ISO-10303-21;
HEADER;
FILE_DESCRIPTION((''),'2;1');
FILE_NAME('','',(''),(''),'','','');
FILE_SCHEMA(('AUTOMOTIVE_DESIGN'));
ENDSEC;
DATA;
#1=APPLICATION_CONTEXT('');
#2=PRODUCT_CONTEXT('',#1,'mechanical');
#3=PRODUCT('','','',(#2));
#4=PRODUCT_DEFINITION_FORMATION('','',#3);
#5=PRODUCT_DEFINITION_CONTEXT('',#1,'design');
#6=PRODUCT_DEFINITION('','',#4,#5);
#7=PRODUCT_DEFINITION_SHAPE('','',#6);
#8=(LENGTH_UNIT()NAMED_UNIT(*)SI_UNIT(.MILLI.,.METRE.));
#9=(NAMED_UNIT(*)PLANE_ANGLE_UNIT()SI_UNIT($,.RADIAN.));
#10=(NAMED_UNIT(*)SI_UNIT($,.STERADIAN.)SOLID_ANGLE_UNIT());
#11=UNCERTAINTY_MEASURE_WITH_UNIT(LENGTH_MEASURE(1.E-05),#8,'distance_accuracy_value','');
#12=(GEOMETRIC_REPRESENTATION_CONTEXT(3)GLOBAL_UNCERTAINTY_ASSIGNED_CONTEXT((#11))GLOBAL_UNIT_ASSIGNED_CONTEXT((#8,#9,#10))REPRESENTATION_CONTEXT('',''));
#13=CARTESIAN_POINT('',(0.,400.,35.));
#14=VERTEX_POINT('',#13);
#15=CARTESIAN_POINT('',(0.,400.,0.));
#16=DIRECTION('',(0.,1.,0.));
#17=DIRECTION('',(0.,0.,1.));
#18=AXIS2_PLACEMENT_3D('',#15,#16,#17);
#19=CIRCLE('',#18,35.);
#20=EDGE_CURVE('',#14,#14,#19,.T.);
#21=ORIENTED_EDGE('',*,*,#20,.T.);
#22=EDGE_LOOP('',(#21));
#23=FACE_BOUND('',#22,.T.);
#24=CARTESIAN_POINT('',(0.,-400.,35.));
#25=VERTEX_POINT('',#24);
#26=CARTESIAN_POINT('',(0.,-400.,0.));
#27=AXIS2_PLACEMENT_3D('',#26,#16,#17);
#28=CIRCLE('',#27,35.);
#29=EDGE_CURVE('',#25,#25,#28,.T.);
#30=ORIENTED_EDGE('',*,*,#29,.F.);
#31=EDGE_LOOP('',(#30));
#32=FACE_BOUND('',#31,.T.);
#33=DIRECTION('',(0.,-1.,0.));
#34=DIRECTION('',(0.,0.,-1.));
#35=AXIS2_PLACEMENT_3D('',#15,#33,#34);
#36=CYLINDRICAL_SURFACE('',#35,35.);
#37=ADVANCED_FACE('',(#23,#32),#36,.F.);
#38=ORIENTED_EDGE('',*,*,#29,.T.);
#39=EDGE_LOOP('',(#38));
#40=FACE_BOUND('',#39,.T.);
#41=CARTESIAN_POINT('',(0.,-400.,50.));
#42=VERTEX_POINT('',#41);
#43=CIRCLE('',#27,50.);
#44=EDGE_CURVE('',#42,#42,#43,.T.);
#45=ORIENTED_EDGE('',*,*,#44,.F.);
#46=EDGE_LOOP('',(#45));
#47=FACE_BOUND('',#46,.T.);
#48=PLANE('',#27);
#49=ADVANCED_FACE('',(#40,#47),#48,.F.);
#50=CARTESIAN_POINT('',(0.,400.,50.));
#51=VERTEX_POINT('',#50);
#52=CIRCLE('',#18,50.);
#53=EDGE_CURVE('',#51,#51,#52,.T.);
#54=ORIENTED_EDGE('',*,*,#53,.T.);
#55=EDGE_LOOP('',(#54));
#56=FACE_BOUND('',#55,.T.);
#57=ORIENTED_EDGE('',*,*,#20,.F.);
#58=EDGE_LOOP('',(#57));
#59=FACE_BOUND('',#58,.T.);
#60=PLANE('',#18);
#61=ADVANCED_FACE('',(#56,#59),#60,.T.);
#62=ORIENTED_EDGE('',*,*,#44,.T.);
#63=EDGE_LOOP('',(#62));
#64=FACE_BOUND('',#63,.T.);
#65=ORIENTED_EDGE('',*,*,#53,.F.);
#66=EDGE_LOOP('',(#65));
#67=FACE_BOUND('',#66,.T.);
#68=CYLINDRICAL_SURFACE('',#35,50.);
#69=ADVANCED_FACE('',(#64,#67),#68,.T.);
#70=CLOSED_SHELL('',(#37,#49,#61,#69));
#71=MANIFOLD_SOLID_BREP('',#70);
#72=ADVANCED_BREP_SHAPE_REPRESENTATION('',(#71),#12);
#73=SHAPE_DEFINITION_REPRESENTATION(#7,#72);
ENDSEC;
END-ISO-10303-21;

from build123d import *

# Parameters (mm, degrees)
SKETCH1_R           = 50
SKETCH1_R_2         = 35
BOSS_EXTRUDE1_DEPTH = 400


with BuildPart() as part:
    # Sketch1 → Boss-Extrude1 (new, symmetric)
    with BuildSketch(Plane(origin=(0, 0, 0), x_dir=(1, 0, 0), z_dir=(0, 1, 0))):
        with Locations(Location((0, 0, 0), (0, 0, 270))):
            Circle(SKETCH1_R)
        with Locations(Location((0, 0, 0), (0, 0, 270))):
            Circle(SKETCH1_R_2, mode=Mode.SUBTRACT)
    extrude(amount=BOSS_EXTRUDE1_DEPTH, both=True)


solid = part.part
